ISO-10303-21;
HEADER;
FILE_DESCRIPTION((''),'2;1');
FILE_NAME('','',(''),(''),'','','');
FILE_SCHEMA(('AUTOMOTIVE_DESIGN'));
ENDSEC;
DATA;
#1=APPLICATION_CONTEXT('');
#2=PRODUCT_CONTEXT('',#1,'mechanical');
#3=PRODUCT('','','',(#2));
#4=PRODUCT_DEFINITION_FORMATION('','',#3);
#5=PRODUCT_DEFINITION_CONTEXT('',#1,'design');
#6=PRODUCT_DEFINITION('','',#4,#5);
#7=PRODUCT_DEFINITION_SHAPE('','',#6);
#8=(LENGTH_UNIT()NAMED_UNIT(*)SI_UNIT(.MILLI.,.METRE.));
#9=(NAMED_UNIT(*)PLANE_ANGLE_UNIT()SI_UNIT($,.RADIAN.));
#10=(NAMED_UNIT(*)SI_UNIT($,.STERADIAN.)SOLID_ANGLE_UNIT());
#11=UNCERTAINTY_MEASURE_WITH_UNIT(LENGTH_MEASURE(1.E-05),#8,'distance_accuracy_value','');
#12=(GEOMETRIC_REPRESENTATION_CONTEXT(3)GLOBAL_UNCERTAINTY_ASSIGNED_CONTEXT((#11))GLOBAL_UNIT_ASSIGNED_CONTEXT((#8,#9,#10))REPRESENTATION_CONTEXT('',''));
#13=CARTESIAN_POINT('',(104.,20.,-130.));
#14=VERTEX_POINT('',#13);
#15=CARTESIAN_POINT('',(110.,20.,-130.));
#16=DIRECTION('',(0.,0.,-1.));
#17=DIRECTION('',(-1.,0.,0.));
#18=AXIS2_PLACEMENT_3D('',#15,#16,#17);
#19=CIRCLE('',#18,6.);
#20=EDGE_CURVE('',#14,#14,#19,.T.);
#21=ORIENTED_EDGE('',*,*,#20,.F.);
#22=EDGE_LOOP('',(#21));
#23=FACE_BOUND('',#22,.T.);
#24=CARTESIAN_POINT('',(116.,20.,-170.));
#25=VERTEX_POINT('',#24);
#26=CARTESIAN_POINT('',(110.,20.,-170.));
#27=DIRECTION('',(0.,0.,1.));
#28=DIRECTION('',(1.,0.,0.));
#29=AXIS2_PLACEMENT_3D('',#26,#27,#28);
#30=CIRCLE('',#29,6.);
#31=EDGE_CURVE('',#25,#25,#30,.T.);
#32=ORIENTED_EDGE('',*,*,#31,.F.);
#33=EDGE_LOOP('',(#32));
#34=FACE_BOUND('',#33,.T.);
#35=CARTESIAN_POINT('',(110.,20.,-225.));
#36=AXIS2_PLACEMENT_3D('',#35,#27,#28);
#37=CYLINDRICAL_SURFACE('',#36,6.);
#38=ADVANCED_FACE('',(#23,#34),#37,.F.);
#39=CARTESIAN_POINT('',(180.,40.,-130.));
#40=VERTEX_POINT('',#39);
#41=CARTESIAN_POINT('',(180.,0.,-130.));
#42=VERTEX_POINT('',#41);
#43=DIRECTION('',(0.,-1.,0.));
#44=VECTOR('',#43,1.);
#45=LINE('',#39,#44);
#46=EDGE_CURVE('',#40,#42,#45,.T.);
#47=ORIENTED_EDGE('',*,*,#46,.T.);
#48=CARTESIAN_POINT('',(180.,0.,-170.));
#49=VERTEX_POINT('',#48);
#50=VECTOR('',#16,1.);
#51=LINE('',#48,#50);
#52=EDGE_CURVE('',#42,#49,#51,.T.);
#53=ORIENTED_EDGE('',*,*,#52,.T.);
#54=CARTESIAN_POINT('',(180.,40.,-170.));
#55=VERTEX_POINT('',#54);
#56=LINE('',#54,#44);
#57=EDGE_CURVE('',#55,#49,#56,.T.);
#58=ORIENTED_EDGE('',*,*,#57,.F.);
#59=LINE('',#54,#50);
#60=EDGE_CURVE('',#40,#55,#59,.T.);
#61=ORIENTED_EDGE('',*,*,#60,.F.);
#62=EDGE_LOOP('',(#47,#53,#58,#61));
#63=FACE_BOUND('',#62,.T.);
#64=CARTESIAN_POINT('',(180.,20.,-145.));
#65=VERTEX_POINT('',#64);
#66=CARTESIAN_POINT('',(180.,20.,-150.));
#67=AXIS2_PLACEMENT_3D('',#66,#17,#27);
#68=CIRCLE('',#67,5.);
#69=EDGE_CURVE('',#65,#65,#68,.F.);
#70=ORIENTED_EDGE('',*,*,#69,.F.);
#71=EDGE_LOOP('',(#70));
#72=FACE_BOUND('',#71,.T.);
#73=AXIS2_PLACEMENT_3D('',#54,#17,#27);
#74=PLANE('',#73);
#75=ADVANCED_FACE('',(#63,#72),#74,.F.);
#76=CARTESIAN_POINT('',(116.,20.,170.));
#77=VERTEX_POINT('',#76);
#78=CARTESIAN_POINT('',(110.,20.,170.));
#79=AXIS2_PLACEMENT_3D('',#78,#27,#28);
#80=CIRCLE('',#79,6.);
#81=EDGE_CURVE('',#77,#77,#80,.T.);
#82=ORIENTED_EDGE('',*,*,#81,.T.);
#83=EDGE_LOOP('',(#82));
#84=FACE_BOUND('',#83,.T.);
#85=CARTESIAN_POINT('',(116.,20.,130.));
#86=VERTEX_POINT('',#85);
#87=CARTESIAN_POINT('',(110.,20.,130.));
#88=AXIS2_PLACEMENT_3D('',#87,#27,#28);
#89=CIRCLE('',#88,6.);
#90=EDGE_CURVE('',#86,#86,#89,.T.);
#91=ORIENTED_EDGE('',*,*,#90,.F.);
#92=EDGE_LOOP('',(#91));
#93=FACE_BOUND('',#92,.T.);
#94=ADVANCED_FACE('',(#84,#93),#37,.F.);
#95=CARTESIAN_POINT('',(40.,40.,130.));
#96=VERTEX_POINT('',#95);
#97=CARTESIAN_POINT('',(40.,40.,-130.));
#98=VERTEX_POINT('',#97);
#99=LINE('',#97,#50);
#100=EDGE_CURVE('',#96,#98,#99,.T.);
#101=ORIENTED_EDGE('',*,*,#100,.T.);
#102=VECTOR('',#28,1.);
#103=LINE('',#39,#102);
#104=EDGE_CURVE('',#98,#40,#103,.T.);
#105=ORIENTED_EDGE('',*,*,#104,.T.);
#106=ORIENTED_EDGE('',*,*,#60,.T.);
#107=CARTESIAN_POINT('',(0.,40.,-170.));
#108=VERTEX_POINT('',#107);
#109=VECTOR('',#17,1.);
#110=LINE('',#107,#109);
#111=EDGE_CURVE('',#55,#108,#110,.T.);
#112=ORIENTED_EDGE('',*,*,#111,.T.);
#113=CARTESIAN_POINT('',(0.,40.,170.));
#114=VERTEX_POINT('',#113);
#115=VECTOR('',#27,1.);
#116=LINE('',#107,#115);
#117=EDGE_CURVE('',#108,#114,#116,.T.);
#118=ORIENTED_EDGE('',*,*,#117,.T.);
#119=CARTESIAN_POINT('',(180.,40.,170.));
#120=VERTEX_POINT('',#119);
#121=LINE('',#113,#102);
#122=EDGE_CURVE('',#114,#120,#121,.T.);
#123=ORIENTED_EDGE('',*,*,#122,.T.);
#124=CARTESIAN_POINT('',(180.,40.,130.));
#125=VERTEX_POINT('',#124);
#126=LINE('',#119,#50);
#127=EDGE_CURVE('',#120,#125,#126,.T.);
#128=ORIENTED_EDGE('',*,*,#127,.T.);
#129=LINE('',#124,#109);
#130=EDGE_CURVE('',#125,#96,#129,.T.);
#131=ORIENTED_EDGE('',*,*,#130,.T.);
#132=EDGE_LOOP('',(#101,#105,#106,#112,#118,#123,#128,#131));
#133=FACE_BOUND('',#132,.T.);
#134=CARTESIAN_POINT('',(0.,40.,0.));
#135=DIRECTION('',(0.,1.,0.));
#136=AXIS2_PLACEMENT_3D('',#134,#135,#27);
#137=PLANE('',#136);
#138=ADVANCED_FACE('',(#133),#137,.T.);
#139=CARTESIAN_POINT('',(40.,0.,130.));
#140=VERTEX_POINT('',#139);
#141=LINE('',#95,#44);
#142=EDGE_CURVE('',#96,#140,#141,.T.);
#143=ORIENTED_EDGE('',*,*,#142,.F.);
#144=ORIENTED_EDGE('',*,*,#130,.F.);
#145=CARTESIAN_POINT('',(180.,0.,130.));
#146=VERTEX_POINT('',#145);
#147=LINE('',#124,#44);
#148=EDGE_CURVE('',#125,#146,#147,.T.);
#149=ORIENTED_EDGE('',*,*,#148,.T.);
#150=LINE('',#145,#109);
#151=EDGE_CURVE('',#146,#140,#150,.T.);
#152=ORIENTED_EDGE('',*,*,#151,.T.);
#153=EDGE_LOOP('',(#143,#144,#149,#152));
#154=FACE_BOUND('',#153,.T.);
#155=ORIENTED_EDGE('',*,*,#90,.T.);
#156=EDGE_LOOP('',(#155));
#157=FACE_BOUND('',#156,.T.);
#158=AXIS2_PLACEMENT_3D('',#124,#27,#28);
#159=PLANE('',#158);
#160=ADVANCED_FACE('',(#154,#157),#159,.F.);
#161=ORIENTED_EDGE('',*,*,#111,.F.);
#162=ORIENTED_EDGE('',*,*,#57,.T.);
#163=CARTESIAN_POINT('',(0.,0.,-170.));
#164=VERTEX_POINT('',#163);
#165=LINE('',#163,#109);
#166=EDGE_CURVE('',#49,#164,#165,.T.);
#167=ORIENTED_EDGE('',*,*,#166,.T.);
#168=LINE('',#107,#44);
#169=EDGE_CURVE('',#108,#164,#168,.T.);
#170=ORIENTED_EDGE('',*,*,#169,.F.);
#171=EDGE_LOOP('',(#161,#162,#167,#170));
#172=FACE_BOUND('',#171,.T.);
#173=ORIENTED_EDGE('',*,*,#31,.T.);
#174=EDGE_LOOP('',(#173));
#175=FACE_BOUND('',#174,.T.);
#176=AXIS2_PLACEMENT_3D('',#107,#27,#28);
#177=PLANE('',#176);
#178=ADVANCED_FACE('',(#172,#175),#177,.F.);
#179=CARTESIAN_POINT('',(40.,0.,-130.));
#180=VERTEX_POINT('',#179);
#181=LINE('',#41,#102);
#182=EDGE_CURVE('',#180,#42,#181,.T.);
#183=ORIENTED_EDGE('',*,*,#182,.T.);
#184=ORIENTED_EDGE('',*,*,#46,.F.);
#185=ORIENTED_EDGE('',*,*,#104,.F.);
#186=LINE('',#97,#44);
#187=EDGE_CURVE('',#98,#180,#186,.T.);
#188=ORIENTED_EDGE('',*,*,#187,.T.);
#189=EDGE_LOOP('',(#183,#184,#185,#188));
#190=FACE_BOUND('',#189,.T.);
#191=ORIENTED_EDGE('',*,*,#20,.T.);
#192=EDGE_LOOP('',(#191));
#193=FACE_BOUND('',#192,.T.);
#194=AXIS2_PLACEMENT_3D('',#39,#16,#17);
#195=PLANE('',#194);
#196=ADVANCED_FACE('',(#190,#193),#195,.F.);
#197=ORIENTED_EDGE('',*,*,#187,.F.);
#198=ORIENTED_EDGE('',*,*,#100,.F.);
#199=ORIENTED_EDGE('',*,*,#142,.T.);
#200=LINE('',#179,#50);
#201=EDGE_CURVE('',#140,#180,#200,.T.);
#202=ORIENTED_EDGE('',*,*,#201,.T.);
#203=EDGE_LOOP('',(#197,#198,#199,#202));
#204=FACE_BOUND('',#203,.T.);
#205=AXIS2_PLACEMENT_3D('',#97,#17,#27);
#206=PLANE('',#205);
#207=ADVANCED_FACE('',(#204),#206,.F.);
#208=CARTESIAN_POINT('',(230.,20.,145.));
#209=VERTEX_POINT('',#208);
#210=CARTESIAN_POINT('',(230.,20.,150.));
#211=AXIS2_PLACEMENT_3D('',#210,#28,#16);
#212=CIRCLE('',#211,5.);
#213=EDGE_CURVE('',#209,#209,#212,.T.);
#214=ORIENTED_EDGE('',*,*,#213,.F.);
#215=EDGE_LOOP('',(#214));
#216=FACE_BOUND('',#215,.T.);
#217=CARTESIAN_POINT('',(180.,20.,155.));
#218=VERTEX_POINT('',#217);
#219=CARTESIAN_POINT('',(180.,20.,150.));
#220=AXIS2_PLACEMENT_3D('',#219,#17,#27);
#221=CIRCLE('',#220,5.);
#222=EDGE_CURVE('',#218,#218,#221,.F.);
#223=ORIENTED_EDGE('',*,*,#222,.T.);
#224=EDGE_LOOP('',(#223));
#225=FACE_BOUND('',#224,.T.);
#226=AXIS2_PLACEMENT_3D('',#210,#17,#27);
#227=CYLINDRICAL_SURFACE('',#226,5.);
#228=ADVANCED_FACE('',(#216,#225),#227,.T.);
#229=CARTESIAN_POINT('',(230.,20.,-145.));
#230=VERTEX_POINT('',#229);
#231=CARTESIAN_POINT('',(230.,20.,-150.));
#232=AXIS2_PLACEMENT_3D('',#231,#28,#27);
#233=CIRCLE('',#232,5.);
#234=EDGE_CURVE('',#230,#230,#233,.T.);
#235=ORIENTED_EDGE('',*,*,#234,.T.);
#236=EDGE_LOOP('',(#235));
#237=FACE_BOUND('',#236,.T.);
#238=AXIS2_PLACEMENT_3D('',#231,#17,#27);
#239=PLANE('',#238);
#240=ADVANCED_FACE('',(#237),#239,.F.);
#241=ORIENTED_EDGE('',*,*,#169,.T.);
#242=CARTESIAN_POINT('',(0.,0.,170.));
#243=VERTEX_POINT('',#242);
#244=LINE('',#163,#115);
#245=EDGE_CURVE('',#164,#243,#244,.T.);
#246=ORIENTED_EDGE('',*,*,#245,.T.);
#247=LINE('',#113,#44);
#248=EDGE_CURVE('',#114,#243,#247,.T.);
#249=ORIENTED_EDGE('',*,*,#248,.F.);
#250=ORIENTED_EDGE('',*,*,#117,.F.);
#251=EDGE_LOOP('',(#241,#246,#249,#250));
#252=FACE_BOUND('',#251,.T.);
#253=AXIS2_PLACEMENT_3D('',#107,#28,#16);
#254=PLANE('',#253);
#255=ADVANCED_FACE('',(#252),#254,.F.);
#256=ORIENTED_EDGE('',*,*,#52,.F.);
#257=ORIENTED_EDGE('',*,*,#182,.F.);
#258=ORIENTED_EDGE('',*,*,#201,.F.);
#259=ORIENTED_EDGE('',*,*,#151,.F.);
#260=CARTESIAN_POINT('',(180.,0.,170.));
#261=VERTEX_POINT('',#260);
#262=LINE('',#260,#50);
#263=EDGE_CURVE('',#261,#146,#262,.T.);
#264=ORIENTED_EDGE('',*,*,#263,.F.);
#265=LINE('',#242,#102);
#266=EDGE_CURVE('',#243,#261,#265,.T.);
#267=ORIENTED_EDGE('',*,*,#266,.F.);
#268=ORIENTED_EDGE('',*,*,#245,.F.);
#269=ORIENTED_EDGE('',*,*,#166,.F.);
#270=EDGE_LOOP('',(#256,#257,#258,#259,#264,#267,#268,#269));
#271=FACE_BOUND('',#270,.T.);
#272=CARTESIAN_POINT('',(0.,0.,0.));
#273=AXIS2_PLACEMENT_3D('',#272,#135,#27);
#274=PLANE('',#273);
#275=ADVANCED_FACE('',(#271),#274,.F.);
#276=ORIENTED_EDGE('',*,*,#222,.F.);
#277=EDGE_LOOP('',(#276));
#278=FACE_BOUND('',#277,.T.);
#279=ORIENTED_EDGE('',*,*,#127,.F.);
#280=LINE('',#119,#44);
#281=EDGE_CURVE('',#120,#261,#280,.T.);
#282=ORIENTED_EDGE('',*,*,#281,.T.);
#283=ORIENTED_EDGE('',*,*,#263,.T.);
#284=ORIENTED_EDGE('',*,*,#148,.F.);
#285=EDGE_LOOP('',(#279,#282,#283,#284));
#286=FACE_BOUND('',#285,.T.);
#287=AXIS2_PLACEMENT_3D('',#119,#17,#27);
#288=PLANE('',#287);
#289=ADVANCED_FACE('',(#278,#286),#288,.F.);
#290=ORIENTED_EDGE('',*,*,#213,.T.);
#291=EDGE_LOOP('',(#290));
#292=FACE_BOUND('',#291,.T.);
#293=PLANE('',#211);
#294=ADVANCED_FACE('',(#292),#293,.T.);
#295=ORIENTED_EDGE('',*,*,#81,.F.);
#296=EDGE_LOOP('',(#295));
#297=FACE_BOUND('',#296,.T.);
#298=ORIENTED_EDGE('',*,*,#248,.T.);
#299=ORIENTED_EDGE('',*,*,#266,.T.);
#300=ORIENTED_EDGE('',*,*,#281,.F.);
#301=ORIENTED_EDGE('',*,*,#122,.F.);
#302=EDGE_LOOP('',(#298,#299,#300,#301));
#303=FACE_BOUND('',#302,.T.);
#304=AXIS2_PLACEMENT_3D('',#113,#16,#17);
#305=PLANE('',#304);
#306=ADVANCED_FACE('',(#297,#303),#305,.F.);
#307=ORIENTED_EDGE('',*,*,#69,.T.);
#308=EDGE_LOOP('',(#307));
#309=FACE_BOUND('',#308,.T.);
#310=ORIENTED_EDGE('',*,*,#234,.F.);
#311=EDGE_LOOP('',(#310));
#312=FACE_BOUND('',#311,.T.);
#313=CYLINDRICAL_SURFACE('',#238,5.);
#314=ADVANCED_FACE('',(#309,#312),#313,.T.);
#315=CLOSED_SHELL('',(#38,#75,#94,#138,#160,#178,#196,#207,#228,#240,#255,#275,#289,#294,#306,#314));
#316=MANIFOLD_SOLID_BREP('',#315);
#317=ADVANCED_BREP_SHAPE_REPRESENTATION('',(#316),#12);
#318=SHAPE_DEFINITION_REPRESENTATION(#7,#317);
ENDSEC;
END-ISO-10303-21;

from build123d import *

# Parameters (mm, degrees)
BOSS_EXTRUDE1_DEPTH = 40
SKETCH2_R           = 6
CUT_EXTRUDE1_DEPTH  = 395
SKETCH3_R           = 5
BOSS_EXTRUDE2_DEPTH = 50


with BuildPart() as part:
    # Sketch1 → Boss-Extrude1 (new body)
    with BuildSketch(Plane(origin=(0, 0, 0), x_dir=(1, 0, 0), z_dir=(0, 1, 0))):
        Polygon((0, 170), (180, 170), (180, 130), (40, 130), (40, -130), (180, -130), (180, -170), (0, -170), align=None)
    extrude(amount=BOSS_EXTRUDE1_DEPTH)

    # Sketch2 → Cut-Extrude1 (cut)
    with BuildSketch(Plane.XY.offset(170)):
        with Locations((110, 20)):
            Circle(SKETCH2_R)
    extrude(amount=-CUT_EXTRUDE1_DEPTH, mode=Mode.SUBTRACT)

    # Sketch3 → Boss-Extrude2 (add)
    with BuildSketch(Plane(origin=(180, 0, 0), x_dir=(0, 0, -1), z_dir=(1, 0, 0))):
        with Locations(Location((-150, 20, 0), (0, 0, 180))):
            Circle(SKETCH3_R)
        with Locations(Location((150, 20, 0), (0, 0, 180))):
            Circle(SKETCH3_R)
    extrude(amount=BOSS_EXTRUDE2_DEPTH)


solid = part.part
